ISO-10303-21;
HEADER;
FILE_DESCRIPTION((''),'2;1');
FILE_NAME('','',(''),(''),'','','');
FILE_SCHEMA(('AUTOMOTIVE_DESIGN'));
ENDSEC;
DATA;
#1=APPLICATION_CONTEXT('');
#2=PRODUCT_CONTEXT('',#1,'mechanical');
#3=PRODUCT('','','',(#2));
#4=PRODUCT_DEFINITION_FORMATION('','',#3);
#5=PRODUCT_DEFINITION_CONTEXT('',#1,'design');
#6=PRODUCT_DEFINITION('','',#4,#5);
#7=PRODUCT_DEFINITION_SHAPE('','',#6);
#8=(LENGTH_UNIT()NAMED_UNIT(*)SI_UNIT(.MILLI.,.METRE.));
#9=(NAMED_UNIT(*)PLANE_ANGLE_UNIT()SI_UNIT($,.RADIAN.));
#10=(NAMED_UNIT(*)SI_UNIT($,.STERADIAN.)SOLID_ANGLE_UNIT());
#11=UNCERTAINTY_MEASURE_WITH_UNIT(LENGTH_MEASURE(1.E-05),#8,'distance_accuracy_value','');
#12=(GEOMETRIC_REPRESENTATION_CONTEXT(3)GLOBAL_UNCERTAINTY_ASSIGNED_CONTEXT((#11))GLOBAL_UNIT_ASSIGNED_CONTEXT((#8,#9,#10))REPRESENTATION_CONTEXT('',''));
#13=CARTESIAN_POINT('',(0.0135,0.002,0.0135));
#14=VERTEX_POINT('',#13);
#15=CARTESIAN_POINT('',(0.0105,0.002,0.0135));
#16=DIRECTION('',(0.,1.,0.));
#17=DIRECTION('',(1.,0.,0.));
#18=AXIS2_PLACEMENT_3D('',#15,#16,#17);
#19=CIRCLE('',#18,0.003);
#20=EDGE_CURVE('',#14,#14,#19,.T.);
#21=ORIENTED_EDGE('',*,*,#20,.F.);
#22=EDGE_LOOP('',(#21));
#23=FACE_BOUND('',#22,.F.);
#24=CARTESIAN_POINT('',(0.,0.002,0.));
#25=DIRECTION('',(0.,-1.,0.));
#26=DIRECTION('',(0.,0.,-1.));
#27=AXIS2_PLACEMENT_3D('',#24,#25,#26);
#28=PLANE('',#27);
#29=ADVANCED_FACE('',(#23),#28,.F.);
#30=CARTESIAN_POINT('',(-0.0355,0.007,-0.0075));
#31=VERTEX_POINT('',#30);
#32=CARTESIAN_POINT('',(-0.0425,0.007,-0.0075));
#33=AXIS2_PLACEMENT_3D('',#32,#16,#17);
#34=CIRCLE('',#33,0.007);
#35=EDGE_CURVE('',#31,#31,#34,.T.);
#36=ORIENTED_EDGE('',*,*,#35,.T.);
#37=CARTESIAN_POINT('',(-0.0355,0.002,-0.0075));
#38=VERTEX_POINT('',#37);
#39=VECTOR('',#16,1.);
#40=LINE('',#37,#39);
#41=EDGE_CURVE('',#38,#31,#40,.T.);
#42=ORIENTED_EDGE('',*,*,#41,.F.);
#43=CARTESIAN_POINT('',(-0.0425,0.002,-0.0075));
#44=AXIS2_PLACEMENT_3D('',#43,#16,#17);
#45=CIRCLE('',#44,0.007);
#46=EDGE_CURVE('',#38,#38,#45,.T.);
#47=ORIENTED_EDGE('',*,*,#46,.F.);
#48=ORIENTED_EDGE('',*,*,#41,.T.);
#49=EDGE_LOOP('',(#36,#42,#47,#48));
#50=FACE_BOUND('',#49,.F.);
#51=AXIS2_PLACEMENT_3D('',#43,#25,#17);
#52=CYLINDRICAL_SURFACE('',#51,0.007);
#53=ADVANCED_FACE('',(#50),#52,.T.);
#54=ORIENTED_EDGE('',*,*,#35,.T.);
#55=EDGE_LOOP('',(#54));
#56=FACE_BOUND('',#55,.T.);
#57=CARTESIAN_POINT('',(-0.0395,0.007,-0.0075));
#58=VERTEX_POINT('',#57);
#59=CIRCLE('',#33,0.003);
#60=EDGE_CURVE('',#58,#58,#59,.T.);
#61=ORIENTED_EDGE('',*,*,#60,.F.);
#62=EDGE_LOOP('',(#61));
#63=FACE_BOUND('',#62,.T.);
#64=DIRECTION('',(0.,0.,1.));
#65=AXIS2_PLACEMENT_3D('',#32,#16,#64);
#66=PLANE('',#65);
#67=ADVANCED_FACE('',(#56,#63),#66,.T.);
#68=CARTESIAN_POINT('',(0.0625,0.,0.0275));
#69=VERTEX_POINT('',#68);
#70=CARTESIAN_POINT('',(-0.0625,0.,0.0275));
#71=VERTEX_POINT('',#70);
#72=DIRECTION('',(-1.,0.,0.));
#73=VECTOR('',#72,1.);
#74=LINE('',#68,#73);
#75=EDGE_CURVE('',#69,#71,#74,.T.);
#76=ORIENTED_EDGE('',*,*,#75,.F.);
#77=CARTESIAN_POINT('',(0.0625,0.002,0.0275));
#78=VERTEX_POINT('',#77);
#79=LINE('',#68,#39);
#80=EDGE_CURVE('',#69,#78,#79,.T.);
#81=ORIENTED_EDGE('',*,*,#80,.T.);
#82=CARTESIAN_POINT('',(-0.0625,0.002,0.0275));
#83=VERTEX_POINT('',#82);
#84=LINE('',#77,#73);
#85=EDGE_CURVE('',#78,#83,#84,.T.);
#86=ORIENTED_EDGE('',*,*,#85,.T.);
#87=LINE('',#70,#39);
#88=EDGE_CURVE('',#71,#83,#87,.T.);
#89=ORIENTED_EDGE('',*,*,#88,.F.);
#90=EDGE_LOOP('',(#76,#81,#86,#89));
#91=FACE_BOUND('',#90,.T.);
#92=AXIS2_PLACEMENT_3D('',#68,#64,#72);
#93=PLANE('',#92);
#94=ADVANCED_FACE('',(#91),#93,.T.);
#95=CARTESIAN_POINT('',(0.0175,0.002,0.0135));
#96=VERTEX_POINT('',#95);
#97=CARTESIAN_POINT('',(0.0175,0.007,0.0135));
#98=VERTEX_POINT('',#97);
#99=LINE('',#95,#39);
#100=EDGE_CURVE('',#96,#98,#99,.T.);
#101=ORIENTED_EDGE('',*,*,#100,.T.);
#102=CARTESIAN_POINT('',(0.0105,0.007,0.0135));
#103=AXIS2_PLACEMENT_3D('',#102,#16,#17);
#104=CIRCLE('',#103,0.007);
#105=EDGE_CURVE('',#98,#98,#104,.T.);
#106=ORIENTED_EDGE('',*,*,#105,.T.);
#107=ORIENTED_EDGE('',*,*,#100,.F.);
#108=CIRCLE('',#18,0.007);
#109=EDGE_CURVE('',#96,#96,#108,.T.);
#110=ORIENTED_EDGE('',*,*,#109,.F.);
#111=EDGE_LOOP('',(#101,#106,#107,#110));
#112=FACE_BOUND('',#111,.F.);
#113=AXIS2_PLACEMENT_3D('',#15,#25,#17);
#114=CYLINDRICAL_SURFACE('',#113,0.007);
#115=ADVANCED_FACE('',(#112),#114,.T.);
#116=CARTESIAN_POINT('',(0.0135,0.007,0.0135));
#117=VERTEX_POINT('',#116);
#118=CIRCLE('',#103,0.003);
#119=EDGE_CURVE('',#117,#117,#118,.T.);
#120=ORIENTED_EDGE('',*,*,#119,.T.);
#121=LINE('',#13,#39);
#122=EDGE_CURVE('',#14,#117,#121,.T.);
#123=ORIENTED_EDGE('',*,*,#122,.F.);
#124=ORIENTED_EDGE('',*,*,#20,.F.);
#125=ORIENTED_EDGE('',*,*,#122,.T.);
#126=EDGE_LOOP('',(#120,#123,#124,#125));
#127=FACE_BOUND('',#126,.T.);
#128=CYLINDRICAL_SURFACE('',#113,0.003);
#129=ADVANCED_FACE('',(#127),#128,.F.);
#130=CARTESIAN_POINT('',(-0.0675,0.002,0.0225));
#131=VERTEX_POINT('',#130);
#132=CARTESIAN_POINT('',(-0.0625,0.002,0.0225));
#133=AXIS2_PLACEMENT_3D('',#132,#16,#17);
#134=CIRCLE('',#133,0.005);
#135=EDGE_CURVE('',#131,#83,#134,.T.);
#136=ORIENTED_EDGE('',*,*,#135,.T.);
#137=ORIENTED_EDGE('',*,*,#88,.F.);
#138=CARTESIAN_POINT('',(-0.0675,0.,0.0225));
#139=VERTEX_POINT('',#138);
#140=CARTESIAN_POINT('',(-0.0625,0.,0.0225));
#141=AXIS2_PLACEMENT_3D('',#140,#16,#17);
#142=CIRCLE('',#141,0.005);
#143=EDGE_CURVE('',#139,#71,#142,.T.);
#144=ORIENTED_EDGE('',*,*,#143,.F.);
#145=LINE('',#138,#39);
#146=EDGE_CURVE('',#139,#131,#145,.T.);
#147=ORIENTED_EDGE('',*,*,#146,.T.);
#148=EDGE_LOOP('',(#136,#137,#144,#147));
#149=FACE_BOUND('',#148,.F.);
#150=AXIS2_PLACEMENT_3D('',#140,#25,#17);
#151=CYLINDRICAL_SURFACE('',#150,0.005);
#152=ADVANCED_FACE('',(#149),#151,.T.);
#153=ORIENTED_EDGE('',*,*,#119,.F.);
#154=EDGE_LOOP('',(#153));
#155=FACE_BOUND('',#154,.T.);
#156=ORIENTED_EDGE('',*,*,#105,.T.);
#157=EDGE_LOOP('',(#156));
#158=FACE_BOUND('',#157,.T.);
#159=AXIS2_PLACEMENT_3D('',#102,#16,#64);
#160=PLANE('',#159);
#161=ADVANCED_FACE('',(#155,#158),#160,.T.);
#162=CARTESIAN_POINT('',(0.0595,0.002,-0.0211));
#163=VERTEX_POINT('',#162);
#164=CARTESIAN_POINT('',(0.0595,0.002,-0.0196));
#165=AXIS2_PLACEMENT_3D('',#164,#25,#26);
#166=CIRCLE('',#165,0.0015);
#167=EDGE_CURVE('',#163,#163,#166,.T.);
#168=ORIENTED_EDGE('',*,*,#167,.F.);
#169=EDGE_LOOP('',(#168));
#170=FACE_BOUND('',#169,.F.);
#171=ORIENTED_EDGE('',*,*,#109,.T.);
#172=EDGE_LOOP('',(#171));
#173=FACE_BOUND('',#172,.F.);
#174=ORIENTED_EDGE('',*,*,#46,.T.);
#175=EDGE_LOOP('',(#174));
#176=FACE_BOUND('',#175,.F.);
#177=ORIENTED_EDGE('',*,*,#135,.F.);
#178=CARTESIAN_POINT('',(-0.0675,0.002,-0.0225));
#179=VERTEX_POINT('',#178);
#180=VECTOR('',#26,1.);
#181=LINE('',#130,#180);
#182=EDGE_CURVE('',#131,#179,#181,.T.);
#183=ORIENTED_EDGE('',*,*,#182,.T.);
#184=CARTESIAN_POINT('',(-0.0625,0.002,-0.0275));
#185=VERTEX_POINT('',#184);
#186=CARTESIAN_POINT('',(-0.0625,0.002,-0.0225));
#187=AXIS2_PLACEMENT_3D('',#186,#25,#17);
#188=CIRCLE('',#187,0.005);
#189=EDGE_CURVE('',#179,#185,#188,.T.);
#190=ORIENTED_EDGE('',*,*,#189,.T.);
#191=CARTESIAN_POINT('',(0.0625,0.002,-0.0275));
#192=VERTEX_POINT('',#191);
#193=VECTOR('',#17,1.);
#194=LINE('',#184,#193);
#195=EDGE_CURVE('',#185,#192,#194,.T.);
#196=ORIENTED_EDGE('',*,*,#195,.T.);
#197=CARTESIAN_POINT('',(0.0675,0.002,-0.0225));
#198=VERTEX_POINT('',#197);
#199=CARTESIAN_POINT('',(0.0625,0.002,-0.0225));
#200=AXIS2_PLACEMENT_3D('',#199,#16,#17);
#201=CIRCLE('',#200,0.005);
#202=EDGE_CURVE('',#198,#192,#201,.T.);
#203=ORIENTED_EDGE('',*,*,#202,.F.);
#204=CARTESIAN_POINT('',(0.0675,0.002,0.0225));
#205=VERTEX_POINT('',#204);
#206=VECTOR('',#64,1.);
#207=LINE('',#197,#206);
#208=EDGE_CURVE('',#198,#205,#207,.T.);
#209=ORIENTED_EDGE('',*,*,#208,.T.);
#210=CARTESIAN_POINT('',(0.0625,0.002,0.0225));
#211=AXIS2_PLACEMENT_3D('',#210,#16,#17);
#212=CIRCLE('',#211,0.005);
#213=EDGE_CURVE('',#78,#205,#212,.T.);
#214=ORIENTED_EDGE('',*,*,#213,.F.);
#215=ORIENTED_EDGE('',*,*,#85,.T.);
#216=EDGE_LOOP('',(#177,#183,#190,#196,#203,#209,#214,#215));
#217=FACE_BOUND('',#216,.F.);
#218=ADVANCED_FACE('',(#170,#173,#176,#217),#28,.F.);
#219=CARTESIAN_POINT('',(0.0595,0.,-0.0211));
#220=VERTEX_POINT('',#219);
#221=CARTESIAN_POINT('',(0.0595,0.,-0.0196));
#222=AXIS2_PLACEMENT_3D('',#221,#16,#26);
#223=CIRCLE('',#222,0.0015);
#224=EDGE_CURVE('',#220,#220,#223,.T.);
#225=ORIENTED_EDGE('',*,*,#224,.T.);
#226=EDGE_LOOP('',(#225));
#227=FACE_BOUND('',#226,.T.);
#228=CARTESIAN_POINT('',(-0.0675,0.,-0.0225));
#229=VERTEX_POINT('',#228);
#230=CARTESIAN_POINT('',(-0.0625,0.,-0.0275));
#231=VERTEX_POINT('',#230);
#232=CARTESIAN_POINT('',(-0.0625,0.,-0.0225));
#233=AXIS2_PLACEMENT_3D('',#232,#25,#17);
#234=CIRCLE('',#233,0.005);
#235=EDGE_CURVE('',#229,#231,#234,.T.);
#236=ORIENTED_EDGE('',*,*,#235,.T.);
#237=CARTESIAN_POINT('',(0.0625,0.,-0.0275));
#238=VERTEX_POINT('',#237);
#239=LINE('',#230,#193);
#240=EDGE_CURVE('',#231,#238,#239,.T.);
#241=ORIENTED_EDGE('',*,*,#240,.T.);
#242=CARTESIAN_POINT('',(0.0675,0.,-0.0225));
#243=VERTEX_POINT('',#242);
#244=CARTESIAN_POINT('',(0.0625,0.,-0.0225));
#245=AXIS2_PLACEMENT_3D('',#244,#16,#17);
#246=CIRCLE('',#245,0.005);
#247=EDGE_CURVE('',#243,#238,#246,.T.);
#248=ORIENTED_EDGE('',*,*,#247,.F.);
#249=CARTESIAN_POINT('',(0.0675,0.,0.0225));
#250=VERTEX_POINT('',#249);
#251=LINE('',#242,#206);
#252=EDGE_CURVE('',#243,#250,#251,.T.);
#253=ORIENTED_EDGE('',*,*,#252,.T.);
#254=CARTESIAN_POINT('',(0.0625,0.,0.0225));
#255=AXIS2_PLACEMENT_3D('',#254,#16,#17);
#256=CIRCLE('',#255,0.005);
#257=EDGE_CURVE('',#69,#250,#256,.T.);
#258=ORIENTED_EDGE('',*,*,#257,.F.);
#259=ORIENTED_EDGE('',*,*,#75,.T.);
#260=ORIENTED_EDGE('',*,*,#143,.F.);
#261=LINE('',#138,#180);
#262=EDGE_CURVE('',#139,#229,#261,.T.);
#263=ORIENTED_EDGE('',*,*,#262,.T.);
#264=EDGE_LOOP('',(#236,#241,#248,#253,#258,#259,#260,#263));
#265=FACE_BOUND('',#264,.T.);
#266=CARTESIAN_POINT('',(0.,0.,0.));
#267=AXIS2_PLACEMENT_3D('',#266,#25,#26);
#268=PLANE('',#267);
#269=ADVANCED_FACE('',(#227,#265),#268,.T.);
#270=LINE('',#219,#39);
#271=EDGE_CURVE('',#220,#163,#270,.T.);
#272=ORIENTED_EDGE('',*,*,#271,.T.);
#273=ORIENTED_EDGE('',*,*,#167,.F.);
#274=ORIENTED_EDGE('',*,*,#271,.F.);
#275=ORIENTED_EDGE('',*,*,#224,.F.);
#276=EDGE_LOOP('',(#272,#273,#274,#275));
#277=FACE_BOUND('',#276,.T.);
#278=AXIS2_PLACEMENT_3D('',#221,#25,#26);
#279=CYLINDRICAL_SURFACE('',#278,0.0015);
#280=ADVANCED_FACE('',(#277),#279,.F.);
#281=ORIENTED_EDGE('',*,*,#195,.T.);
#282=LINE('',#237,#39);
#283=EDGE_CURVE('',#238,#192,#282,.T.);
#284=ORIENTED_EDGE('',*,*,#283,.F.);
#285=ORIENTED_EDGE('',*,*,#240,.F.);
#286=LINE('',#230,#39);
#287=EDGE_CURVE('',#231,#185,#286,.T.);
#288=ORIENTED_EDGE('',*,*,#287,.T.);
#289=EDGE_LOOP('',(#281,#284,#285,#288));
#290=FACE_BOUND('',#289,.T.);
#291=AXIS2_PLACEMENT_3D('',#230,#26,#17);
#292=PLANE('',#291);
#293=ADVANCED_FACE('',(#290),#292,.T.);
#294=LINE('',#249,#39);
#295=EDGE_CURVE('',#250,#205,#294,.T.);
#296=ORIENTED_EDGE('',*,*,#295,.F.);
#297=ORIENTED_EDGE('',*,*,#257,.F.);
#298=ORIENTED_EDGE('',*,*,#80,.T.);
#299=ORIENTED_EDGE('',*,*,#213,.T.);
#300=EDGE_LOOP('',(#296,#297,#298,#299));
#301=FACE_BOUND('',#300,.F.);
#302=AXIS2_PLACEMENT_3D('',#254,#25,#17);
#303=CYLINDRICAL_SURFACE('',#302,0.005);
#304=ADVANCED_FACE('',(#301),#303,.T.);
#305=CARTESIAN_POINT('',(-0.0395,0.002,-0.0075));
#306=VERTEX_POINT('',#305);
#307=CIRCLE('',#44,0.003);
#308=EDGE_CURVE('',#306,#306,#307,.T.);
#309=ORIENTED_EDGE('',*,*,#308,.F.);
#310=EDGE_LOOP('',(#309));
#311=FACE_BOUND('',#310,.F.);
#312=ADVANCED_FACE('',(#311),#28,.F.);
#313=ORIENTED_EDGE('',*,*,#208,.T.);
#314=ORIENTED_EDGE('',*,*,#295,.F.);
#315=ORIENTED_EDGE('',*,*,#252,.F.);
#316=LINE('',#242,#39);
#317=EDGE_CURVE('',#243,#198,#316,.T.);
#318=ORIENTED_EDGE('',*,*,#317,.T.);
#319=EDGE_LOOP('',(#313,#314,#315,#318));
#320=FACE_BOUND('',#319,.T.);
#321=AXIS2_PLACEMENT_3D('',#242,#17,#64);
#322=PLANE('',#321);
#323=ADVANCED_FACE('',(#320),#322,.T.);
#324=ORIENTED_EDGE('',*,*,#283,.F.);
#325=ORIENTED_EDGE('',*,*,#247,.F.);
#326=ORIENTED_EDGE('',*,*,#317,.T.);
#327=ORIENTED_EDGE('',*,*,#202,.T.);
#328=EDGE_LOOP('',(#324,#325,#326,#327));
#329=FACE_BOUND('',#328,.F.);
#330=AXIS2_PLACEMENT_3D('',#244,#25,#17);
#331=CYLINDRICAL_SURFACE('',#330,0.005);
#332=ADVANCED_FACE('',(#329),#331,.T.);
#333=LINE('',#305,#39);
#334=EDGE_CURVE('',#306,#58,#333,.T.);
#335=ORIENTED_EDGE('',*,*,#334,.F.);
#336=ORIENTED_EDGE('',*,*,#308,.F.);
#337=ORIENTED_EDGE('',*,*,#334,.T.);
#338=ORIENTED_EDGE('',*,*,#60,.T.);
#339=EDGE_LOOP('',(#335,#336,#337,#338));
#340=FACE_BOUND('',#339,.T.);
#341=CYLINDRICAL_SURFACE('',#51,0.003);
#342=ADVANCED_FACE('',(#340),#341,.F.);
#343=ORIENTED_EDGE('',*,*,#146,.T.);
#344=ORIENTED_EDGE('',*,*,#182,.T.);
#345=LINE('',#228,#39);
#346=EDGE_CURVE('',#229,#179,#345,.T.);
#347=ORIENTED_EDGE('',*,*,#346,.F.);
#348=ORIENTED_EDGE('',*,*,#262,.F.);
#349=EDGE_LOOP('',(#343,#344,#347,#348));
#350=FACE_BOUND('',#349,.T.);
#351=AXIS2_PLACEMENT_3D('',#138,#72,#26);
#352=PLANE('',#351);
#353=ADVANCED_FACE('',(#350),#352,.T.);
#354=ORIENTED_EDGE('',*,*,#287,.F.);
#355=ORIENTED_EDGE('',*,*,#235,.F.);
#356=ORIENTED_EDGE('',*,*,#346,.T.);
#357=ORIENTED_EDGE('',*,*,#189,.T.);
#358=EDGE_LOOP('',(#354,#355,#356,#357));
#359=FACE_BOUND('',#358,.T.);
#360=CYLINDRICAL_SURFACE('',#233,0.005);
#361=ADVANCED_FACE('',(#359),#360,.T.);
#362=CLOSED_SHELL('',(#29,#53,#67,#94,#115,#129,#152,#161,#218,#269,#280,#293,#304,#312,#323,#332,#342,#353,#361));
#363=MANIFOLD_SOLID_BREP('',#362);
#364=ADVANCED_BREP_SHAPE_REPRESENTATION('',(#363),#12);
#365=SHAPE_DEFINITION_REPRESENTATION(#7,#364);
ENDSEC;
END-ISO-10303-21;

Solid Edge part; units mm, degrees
sketch "Sketch1" plane through (0, 0, 0) normal (0, -1, 0) x (1, 0, 0)
  line L0 (-0.0625, -0.0275) -> (0.0625, -0.0275)
  arc A0 (0.0675, -0.0225) -> (0.0625, -0.0275) centre (0.0625, -0.0225) cw
  line L1 (0.0675, -0.0225) -> (0.0675, 0.0225)
  arc A1 (0.0625, 0.0275) -> (0.0675, 0.0225) centre (0.0625, 0.0225) cw
  line L2 (0.0625, 0.0275) -> (-0.0625, 0.0275)
  arc A2 (-0.0675, 0.0225) -> (-0.0625, 0.0275) centre (-0.0625, 0.0225) cw
  line L3 (-0.0675, 0.0225) -> (-0.0675, -0.0225)
  arc A3 (-0.0675, -0.0225) -> (-0.0625, -0.0275) centre (-0.0625, -0.0225) ccw
  dimension "D1" = 0.135
  dimension "D2" = 0.055
extrude "Protrusion1" add sketch "Sketch1" against normal blind 0.002
sketch "Sketch2" plane through (0, 0.002, 0) normal (0, 1, 0) x (1, 0, 0)
  circle A0 centre (0.0105, -0.0135) radius 0.007
  circle A1 centre (-0.0425, 0.0075) radius 0.003
  circle A2 centre (0.0105, -0.0135) radius 0.003
  circle A3 centre (-0.0425, 0.0075) radius 0.007
  dimension "D1" = 0.078
  dimension "D2" = 0.025
  dimension "D3" = 0.014
  dimension "D4" = 0.006
  dimension "D5" = 0.02
  dimension "D6" = 0.041
extrude "Ausprägung_2" add sketch "Sketch2" along normal blind 0.005
hole "Bohrung_1" at (0.0595, 0, -0.0196) direction (0, 1, 0) diameter 0.003 end up to next
